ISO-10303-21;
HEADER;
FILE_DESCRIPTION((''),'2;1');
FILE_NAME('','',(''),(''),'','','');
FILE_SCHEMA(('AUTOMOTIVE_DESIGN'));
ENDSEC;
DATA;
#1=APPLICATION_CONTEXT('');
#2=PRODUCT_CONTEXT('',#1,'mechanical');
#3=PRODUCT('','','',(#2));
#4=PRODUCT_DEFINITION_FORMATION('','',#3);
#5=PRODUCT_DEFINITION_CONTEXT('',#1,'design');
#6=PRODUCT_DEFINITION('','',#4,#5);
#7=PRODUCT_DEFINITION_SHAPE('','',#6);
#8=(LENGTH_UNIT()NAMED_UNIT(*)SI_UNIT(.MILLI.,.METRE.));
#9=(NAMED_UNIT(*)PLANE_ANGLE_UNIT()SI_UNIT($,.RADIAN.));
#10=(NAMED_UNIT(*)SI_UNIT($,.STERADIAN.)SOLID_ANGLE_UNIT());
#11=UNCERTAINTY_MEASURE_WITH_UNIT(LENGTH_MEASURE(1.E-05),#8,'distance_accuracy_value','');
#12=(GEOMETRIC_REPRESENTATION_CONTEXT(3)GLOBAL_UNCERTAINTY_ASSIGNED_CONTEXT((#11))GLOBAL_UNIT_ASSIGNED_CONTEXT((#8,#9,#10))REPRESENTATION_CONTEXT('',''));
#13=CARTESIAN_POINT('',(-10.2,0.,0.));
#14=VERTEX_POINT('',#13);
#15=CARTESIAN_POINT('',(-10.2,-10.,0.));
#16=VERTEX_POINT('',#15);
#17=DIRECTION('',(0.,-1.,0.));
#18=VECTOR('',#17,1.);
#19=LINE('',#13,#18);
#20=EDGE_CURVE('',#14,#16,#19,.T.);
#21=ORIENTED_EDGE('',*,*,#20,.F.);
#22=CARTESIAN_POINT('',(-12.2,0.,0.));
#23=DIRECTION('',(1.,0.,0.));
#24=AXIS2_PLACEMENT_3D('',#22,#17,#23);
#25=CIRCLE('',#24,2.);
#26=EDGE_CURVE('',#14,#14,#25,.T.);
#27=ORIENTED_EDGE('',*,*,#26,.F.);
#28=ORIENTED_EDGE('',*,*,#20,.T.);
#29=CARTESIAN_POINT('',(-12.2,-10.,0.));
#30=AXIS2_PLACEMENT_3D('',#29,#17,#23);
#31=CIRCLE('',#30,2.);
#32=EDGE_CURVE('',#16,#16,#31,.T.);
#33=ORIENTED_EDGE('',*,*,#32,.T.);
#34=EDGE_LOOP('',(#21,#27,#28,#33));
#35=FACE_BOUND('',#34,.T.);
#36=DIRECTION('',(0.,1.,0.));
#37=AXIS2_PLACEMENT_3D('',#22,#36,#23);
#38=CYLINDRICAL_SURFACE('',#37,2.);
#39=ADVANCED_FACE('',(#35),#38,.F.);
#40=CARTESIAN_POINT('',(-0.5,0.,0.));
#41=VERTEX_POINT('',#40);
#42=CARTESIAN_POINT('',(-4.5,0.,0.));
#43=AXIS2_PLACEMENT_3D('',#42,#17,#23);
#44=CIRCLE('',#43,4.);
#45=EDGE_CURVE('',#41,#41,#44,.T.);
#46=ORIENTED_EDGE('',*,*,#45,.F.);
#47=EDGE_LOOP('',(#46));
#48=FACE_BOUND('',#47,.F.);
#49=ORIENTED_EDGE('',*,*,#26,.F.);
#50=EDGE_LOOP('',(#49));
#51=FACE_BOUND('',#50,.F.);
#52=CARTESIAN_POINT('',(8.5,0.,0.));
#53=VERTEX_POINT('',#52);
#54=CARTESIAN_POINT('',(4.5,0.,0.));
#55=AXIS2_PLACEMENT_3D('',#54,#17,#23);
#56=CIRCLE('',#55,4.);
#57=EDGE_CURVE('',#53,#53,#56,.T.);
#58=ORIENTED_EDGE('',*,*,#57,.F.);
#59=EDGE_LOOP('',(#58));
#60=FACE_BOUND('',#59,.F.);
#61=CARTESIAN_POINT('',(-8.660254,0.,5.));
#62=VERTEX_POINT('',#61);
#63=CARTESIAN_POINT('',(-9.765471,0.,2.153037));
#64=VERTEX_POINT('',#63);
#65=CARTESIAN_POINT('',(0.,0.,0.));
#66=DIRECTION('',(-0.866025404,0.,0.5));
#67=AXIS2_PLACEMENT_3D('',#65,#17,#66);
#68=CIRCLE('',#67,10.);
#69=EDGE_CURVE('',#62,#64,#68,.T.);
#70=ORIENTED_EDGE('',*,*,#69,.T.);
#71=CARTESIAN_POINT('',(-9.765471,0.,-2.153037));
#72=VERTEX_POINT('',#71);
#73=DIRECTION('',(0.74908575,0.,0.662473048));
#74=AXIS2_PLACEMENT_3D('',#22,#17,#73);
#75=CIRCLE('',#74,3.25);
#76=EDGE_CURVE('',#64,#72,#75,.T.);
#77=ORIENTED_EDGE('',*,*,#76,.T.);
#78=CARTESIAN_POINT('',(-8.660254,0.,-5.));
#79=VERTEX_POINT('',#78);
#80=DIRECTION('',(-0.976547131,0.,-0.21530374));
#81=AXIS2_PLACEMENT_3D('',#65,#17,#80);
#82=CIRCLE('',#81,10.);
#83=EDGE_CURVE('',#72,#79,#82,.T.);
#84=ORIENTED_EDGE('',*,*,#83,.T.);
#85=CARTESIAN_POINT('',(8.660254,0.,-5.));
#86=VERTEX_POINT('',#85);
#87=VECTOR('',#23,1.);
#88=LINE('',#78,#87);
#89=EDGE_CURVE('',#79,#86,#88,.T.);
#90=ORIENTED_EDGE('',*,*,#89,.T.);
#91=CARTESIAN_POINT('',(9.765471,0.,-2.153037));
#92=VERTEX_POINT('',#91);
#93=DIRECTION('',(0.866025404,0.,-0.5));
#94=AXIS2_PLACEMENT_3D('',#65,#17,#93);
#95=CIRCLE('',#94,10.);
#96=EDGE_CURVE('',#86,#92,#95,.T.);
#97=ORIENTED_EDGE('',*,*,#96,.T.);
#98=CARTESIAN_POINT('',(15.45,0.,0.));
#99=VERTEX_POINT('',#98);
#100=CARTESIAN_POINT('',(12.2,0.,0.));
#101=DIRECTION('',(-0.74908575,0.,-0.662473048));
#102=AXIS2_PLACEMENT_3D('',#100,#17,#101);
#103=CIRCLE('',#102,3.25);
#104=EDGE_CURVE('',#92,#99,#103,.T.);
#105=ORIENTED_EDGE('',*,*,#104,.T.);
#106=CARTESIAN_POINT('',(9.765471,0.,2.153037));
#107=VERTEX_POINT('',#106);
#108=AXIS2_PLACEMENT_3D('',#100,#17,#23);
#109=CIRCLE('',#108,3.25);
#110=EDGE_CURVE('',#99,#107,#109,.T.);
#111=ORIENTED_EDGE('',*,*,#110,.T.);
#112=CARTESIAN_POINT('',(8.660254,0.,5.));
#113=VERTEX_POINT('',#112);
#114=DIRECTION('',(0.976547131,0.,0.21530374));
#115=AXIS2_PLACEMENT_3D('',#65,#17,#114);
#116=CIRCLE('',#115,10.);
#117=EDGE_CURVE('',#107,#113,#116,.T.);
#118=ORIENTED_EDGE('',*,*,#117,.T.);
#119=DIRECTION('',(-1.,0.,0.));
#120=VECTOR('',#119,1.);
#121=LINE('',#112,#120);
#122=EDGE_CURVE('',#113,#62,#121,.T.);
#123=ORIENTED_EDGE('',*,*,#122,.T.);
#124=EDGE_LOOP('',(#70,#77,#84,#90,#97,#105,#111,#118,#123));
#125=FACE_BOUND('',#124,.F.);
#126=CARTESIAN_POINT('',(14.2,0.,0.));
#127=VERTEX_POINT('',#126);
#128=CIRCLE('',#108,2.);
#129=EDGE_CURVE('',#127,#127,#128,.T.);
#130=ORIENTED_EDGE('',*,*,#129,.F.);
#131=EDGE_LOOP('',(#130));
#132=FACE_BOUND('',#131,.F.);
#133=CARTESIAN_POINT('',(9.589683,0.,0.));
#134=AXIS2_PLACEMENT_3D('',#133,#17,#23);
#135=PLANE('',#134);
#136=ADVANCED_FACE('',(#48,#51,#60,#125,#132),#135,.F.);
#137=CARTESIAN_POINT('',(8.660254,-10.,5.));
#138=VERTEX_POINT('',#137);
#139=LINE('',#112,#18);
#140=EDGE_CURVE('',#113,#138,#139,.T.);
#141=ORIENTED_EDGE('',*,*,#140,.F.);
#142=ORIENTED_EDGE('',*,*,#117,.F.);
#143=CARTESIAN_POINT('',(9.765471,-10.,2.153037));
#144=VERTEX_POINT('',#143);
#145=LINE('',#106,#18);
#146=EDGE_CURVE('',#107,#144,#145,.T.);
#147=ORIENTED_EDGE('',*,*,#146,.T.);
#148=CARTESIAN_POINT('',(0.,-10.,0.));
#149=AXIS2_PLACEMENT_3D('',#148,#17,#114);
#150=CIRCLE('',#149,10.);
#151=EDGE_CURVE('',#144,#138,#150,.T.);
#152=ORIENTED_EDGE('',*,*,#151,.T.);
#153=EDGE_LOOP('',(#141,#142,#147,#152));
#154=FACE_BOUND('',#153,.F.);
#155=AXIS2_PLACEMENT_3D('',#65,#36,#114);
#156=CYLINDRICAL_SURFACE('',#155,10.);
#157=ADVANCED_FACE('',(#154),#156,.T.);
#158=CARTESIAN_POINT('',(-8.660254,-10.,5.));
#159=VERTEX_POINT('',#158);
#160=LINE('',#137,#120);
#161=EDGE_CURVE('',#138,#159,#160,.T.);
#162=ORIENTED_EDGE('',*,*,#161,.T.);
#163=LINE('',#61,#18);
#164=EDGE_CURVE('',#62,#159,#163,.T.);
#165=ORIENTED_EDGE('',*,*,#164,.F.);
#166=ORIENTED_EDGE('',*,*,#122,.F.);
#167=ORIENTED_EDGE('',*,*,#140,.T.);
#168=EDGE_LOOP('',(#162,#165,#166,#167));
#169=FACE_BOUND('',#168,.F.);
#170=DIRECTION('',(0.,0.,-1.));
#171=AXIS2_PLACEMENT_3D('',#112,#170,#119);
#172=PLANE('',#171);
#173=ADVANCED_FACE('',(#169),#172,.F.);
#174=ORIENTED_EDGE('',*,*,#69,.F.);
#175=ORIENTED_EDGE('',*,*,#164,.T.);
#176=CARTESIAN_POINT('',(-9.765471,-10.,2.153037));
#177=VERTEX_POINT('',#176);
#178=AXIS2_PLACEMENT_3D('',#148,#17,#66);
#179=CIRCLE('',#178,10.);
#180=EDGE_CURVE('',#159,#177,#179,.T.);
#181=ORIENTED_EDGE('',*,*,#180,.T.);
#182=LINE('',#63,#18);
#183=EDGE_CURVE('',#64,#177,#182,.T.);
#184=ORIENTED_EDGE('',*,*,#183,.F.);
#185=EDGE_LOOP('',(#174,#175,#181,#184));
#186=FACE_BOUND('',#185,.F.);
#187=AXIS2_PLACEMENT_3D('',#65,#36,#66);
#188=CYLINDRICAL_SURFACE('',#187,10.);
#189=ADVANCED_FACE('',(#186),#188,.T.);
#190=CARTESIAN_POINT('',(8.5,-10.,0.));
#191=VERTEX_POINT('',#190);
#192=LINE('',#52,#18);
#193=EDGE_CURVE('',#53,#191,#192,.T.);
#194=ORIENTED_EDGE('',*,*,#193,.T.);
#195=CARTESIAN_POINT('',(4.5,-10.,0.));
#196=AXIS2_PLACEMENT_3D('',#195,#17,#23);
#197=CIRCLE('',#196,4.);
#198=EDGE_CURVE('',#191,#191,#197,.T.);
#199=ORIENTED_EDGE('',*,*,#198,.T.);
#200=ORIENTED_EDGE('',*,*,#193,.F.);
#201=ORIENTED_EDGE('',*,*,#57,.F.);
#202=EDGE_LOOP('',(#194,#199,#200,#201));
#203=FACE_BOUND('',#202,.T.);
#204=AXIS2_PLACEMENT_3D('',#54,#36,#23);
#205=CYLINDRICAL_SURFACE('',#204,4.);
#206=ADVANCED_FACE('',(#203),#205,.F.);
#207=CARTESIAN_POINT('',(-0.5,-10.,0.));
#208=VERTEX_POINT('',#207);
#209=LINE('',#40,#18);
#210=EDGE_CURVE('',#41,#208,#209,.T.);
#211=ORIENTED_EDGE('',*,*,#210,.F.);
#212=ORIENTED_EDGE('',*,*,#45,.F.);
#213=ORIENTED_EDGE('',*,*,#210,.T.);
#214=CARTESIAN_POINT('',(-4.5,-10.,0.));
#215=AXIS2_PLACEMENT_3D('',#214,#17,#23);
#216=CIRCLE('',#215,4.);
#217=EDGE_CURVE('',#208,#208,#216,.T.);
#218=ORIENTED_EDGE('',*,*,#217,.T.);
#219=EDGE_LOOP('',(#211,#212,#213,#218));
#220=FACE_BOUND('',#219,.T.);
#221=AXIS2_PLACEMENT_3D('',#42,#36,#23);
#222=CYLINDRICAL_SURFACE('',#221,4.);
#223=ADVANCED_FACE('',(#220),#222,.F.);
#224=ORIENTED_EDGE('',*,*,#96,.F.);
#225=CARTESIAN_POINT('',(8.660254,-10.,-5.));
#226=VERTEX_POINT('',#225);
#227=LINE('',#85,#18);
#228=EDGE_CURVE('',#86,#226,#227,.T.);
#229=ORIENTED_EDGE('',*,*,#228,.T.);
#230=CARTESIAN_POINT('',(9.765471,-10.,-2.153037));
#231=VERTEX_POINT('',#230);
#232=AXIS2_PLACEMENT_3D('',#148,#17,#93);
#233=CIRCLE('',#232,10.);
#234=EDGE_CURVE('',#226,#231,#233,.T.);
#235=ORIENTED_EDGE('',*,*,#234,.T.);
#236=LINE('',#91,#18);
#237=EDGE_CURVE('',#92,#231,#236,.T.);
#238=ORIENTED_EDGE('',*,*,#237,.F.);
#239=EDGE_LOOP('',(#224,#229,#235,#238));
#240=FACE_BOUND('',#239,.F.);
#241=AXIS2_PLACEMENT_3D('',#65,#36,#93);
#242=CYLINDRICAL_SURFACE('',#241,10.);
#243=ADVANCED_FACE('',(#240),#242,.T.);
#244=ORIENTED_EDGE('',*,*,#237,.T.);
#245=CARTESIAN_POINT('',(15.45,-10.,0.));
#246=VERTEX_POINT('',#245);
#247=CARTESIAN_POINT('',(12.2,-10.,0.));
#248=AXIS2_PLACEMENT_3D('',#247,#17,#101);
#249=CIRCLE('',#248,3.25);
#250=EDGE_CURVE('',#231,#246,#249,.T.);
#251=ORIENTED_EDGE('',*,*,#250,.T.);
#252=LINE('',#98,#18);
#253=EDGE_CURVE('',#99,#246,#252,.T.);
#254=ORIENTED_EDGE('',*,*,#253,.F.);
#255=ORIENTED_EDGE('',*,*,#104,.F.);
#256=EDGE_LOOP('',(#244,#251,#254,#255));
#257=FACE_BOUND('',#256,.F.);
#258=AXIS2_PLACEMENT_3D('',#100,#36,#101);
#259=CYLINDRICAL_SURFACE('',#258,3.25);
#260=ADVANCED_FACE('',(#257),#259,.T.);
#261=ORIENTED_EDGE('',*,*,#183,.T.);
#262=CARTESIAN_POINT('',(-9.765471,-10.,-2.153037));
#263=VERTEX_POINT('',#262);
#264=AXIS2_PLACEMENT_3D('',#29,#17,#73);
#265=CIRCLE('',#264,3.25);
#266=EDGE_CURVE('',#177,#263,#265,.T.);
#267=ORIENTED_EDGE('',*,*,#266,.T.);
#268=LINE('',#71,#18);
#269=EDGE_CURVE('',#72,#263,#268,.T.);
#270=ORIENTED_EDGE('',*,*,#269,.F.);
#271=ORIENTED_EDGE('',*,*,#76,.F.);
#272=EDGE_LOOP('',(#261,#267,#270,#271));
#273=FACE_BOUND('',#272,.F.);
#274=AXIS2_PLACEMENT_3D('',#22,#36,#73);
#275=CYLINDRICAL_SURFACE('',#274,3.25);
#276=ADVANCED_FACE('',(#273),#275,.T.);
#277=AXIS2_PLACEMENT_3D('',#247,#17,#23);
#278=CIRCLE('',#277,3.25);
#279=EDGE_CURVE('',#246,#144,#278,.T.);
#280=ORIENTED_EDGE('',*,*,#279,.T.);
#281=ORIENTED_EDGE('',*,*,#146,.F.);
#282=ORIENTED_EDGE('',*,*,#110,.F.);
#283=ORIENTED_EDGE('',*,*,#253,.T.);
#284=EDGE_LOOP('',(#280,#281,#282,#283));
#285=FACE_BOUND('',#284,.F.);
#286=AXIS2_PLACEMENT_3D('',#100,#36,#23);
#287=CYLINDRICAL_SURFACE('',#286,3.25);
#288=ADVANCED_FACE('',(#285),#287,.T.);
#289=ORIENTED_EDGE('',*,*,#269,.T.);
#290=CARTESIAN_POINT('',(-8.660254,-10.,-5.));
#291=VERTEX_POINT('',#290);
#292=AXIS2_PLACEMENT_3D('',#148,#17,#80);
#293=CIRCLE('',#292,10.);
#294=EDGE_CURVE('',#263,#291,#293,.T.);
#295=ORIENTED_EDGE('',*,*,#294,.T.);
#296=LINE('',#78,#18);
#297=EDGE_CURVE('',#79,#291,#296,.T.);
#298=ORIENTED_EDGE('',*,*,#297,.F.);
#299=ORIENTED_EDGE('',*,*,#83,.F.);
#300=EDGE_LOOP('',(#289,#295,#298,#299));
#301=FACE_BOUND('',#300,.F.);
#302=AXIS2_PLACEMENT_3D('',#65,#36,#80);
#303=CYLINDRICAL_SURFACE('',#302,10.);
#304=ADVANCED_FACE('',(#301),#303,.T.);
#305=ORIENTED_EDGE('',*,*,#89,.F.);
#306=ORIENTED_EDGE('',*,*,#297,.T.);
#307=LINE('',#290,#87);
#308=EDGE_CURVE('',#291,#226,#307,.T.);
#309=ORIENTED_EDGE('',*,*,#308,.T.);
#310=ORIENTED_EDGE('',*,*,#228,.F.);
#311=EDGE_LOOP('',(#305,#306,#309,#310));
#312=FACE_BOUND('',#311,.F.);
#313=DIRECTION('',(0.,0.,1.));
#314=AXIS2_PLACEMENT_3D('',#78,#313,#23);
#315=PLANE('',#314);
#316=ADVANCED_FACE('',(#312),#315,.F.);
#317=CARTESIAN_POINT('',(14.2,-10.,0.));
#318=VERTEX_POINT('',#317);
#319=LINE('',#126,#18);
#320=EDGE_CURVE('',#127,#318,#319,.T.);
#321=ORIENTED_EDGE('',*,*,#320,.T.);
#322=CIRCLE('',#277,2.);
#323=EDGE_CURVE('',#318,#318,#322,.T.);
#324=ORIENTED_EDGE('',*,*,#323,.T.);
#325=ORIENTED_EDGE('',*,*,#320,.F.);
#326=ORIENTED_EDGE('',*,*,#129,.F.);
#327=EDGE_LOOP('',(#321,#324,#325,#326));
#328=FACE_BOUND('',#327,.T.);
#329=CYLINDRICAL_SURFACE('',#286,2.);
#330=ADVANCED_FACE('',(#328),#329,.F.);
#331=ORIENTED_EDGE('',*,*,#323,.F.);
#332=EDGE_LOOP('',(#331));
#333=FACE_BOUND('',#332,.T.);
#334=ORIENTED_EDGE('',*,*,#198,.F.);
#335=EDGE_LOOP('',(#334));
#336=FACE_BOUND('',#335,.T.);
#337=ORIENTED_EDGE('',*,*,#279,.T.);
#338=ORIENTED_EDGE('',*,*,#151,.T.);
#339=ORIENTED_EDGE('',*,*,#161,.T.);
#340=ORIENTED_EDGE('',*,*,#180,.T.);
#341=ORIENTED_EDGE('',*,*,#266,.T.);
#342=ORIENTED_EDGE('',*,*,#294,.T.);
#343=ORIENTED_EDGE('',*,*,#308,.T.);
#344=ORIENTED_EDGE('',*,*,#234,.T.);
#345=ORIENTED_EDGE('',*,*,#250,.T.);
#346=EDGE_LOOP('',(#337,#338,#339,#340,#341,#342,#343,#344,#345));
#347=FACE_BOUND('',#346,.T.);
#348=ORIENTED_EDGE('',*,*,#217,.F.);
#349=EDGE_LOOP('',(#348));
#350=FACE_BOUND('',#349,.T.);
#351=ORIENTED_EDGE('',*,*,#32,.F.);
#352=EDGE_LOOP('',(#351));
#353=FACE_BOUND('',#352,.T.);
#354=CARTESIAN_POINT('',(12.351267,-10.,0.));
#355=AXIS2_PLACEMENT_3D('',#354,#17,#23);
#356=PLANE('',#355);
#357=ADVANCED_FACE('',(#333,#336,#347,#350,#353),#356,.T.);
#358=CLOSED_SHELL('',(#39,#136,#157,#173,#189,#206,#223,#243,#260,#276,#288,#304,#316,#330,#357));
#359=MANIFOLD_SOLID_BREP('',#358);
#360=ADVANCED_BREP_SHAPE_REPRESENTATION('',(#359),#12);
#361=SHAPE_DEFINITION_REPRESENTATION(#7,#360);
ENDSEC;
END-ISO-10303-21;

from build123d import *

# Parameters (mm, degrees)
F0_R     = 4
F1_DEPTH = 10
F0_R_2   = 2
F2_DEPTH = 10
F3_DEPTH = 10


with BuildPart() as f1:
    # F0 (on Front) → F1 (new body)
    with BuildSketch(Plane.XZ):
        with BuildLine():
            ThreePointArc((9.7654713115, -2.1530374044), (8.95, 0), (9.7654713115, 2.1530374044))
            ThreePointArc((9.7654713115, 2.1530374044), (9.322185241, 3.618958736), (8.6602540378, 5))
            Line((8.6602540378, 5), (-8.6602540378, 5))
            ThreePointArc((-8.6602540378, 5), (-9.322185241, 3.618958736), (-9.7654713115, 2.1530374044))
            ThreePointArc((-9.7654713115, 2.1530374044), (-9.1606975934, 1.1511476366), (-8.95, 0))
            ThreePointArc((-8.95, 0), (-9.1606975934, -1.1511476366), (-9.7654713115, -2.1530374044))
            ThreePointArc((-9.7654713115, -2.1530374044), (-9.322185241, -3.618958736), (-8.6602540378, -5))
            Line((-8.6602540378, -5), (8.6602540378, -5))
            ThreePointArc((8.6602540378, -5), (9.322185241, -3.618958736), (9.7654713115, -2.1530374044))
        make_face()
        with Locations((-4.5, 0)):
            Circle(F0_R, mode=Mode.SUBTRACT)
        with Locations((4.5, 0)):
            Circle(F0_R, mode=Mode.SUBTRACT)
    extrude(amount=F1_DEPTH)

    # F0 (on Front) → F2 (join)
    with BuildSketch(Plane.XZ):
        with BuildLine():
            ThreePointArc((-9.7654713115, -2.1530374044), (-10, 0), (-9.7654713115, 2.1530374044))
            ThreePointArc((-9.7654713115, 2.1530374044), (-15.45, 0), (-9.7654713115, -2.1530374044))
        make_face()
        with Locations((-12.2, 0)):
            Circle(F0_R_2, mode=Mode.SUBTRACT)
        with BuildLine():
            ThreePointArc((9.7654713115, 2.1530374044), (9.941194926, 1.082886625), (10, 0))
            ThreePointArc((10, 0), (9.941194926, -1.082886625), (9.7654713115, -2.1530374044))
            ThreePointArc((9.7654713115, -2.1530374044), (13.3511476366, -3.0393024066), (15.45, 0))
            ThreePointArc((15.45, 0), (13.3511476366, 3.0393024066), (9.7654713115, 2.1530374044))
        make_face()
        with Locations((12.2, 0)):
            Circle(F0_R_2, mode=Mode.SUBTRACT)
    extrude(amount=F2_DEPTH)

    # F0 (on Front) → F3 (join)
    with BuildSketch(Plane.XZ):
        with BuildLine():
            ThreePointArc((9.7654713115, -2.1530374044), (9.941194926, -1.082886625), (10, 0))
            ThreePointArc((10, 0), (9.941194926, 1.082886625), (9.7654713115, 2.1530374044))
            ThreePointArc((9.7654713115, 2.1530374044), (8.95, 0), (9.7654713115, -2.1530374044))
        make_face()
        with BuildLine():
            ThreePointArc((-8.95, 0), (-9.1606975934, 1.1511476366), (-9.7654713115, 2.1530374044))
            ThreePointArc((-9.7654713115, 2.1530374044), (-10, 0), (-9.7654713115, -2.1530374044))
            ThreePointArc((-9.7654713115, -2.1530374044), (-9.1606975934, -1.1511476366), (-8.95, 0))
        make_face()
    extrude(amount=F3_DEPTH)


solid = f1.part
